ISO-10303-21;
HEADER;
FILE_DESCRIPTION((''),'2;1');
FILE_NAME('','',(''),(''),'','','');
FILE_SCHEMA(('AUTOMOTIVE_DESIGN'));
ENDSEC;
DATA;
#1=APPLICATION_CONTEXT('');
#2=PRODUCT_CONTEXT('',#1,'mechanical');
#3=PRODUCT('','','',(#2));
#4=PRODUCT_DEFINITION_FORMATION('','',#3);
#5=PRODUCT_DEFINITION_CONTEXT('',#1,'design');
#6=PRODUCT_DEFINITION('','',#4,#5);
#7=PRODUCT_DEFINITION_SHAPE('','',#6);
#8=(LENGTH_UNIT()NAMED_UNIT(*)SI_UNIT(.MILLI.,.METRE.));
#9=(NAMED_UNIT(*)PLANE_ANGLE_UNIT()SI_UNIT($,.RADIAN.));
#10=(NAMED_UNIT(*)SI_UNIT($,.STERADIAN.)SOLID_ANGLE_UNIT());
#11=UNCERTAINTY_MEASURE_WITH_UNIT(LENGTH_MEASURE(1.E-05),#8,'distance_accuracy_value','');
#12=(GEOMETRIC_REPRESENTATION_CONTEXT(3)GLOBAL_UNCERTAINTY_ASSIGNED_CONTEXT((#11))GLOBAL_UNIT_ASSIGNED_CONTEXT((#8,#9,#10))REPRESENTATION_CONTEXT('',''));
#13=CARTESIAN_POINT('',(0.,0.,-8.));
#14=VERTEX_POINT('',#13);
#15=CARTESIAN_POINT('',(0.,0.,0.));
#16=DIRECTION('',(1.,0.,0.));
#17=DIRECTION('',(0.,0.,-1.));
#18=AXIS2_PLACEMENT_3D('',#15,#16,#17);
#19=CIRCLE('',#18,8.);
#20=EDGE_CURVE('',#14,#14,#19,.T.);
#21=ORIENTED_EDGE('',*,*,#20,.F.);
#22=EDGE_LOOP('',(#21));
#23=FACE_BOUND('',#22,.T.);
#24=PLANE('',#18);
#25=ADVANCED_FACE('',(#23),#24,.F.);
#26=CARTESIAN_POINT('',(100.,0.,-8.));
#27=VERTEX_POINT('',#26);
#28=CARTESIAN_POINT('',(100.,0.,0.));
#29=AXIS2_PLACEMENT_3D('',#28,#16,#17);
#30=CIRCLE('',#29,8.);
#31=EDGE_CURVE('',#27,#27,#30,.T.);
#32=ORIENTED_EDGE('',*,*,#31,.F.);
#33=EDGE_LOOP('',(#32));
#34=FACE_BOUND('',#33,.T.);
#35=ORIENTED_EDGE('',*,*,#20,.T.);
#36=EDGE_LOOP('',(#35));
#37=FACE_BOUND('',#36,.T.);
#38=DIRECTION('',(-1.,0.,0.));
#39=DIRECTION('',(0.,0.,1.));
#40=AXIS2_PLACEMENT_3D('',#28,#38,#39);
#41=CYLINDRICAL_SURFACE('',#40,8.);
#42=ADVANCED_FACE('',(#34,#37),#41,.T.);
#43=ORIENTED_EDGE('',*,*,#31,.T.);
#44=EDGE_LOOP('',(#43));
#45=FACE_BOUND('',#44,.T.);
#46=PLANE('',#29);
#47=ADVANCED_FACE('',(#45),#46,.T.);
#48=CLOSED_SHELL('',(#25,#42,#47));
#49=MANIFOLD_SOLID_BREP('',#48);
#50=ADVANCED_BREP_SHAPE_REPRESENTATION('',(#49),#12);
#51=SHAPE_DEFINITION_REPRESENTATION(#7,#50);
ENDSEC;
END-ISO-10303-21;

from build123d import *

# Parameters (mm, degrees)
SKETCH1_R           = 8
BOSS_EXTRUDE1_DEPTH = 100


with BuildPart() as part:
    # Sketch1 → Boss-Extrude1 (new body)
    with BuildSketch(Plane(origin=(0, 0, 0), x_dir=(0, 0, -1), z_dir=(1, 0, 0))):
        Circle(SKETCH1_R)
    extrude(amount=BOSS_EXTRUDE1_DEPTH)


solid = part.part
